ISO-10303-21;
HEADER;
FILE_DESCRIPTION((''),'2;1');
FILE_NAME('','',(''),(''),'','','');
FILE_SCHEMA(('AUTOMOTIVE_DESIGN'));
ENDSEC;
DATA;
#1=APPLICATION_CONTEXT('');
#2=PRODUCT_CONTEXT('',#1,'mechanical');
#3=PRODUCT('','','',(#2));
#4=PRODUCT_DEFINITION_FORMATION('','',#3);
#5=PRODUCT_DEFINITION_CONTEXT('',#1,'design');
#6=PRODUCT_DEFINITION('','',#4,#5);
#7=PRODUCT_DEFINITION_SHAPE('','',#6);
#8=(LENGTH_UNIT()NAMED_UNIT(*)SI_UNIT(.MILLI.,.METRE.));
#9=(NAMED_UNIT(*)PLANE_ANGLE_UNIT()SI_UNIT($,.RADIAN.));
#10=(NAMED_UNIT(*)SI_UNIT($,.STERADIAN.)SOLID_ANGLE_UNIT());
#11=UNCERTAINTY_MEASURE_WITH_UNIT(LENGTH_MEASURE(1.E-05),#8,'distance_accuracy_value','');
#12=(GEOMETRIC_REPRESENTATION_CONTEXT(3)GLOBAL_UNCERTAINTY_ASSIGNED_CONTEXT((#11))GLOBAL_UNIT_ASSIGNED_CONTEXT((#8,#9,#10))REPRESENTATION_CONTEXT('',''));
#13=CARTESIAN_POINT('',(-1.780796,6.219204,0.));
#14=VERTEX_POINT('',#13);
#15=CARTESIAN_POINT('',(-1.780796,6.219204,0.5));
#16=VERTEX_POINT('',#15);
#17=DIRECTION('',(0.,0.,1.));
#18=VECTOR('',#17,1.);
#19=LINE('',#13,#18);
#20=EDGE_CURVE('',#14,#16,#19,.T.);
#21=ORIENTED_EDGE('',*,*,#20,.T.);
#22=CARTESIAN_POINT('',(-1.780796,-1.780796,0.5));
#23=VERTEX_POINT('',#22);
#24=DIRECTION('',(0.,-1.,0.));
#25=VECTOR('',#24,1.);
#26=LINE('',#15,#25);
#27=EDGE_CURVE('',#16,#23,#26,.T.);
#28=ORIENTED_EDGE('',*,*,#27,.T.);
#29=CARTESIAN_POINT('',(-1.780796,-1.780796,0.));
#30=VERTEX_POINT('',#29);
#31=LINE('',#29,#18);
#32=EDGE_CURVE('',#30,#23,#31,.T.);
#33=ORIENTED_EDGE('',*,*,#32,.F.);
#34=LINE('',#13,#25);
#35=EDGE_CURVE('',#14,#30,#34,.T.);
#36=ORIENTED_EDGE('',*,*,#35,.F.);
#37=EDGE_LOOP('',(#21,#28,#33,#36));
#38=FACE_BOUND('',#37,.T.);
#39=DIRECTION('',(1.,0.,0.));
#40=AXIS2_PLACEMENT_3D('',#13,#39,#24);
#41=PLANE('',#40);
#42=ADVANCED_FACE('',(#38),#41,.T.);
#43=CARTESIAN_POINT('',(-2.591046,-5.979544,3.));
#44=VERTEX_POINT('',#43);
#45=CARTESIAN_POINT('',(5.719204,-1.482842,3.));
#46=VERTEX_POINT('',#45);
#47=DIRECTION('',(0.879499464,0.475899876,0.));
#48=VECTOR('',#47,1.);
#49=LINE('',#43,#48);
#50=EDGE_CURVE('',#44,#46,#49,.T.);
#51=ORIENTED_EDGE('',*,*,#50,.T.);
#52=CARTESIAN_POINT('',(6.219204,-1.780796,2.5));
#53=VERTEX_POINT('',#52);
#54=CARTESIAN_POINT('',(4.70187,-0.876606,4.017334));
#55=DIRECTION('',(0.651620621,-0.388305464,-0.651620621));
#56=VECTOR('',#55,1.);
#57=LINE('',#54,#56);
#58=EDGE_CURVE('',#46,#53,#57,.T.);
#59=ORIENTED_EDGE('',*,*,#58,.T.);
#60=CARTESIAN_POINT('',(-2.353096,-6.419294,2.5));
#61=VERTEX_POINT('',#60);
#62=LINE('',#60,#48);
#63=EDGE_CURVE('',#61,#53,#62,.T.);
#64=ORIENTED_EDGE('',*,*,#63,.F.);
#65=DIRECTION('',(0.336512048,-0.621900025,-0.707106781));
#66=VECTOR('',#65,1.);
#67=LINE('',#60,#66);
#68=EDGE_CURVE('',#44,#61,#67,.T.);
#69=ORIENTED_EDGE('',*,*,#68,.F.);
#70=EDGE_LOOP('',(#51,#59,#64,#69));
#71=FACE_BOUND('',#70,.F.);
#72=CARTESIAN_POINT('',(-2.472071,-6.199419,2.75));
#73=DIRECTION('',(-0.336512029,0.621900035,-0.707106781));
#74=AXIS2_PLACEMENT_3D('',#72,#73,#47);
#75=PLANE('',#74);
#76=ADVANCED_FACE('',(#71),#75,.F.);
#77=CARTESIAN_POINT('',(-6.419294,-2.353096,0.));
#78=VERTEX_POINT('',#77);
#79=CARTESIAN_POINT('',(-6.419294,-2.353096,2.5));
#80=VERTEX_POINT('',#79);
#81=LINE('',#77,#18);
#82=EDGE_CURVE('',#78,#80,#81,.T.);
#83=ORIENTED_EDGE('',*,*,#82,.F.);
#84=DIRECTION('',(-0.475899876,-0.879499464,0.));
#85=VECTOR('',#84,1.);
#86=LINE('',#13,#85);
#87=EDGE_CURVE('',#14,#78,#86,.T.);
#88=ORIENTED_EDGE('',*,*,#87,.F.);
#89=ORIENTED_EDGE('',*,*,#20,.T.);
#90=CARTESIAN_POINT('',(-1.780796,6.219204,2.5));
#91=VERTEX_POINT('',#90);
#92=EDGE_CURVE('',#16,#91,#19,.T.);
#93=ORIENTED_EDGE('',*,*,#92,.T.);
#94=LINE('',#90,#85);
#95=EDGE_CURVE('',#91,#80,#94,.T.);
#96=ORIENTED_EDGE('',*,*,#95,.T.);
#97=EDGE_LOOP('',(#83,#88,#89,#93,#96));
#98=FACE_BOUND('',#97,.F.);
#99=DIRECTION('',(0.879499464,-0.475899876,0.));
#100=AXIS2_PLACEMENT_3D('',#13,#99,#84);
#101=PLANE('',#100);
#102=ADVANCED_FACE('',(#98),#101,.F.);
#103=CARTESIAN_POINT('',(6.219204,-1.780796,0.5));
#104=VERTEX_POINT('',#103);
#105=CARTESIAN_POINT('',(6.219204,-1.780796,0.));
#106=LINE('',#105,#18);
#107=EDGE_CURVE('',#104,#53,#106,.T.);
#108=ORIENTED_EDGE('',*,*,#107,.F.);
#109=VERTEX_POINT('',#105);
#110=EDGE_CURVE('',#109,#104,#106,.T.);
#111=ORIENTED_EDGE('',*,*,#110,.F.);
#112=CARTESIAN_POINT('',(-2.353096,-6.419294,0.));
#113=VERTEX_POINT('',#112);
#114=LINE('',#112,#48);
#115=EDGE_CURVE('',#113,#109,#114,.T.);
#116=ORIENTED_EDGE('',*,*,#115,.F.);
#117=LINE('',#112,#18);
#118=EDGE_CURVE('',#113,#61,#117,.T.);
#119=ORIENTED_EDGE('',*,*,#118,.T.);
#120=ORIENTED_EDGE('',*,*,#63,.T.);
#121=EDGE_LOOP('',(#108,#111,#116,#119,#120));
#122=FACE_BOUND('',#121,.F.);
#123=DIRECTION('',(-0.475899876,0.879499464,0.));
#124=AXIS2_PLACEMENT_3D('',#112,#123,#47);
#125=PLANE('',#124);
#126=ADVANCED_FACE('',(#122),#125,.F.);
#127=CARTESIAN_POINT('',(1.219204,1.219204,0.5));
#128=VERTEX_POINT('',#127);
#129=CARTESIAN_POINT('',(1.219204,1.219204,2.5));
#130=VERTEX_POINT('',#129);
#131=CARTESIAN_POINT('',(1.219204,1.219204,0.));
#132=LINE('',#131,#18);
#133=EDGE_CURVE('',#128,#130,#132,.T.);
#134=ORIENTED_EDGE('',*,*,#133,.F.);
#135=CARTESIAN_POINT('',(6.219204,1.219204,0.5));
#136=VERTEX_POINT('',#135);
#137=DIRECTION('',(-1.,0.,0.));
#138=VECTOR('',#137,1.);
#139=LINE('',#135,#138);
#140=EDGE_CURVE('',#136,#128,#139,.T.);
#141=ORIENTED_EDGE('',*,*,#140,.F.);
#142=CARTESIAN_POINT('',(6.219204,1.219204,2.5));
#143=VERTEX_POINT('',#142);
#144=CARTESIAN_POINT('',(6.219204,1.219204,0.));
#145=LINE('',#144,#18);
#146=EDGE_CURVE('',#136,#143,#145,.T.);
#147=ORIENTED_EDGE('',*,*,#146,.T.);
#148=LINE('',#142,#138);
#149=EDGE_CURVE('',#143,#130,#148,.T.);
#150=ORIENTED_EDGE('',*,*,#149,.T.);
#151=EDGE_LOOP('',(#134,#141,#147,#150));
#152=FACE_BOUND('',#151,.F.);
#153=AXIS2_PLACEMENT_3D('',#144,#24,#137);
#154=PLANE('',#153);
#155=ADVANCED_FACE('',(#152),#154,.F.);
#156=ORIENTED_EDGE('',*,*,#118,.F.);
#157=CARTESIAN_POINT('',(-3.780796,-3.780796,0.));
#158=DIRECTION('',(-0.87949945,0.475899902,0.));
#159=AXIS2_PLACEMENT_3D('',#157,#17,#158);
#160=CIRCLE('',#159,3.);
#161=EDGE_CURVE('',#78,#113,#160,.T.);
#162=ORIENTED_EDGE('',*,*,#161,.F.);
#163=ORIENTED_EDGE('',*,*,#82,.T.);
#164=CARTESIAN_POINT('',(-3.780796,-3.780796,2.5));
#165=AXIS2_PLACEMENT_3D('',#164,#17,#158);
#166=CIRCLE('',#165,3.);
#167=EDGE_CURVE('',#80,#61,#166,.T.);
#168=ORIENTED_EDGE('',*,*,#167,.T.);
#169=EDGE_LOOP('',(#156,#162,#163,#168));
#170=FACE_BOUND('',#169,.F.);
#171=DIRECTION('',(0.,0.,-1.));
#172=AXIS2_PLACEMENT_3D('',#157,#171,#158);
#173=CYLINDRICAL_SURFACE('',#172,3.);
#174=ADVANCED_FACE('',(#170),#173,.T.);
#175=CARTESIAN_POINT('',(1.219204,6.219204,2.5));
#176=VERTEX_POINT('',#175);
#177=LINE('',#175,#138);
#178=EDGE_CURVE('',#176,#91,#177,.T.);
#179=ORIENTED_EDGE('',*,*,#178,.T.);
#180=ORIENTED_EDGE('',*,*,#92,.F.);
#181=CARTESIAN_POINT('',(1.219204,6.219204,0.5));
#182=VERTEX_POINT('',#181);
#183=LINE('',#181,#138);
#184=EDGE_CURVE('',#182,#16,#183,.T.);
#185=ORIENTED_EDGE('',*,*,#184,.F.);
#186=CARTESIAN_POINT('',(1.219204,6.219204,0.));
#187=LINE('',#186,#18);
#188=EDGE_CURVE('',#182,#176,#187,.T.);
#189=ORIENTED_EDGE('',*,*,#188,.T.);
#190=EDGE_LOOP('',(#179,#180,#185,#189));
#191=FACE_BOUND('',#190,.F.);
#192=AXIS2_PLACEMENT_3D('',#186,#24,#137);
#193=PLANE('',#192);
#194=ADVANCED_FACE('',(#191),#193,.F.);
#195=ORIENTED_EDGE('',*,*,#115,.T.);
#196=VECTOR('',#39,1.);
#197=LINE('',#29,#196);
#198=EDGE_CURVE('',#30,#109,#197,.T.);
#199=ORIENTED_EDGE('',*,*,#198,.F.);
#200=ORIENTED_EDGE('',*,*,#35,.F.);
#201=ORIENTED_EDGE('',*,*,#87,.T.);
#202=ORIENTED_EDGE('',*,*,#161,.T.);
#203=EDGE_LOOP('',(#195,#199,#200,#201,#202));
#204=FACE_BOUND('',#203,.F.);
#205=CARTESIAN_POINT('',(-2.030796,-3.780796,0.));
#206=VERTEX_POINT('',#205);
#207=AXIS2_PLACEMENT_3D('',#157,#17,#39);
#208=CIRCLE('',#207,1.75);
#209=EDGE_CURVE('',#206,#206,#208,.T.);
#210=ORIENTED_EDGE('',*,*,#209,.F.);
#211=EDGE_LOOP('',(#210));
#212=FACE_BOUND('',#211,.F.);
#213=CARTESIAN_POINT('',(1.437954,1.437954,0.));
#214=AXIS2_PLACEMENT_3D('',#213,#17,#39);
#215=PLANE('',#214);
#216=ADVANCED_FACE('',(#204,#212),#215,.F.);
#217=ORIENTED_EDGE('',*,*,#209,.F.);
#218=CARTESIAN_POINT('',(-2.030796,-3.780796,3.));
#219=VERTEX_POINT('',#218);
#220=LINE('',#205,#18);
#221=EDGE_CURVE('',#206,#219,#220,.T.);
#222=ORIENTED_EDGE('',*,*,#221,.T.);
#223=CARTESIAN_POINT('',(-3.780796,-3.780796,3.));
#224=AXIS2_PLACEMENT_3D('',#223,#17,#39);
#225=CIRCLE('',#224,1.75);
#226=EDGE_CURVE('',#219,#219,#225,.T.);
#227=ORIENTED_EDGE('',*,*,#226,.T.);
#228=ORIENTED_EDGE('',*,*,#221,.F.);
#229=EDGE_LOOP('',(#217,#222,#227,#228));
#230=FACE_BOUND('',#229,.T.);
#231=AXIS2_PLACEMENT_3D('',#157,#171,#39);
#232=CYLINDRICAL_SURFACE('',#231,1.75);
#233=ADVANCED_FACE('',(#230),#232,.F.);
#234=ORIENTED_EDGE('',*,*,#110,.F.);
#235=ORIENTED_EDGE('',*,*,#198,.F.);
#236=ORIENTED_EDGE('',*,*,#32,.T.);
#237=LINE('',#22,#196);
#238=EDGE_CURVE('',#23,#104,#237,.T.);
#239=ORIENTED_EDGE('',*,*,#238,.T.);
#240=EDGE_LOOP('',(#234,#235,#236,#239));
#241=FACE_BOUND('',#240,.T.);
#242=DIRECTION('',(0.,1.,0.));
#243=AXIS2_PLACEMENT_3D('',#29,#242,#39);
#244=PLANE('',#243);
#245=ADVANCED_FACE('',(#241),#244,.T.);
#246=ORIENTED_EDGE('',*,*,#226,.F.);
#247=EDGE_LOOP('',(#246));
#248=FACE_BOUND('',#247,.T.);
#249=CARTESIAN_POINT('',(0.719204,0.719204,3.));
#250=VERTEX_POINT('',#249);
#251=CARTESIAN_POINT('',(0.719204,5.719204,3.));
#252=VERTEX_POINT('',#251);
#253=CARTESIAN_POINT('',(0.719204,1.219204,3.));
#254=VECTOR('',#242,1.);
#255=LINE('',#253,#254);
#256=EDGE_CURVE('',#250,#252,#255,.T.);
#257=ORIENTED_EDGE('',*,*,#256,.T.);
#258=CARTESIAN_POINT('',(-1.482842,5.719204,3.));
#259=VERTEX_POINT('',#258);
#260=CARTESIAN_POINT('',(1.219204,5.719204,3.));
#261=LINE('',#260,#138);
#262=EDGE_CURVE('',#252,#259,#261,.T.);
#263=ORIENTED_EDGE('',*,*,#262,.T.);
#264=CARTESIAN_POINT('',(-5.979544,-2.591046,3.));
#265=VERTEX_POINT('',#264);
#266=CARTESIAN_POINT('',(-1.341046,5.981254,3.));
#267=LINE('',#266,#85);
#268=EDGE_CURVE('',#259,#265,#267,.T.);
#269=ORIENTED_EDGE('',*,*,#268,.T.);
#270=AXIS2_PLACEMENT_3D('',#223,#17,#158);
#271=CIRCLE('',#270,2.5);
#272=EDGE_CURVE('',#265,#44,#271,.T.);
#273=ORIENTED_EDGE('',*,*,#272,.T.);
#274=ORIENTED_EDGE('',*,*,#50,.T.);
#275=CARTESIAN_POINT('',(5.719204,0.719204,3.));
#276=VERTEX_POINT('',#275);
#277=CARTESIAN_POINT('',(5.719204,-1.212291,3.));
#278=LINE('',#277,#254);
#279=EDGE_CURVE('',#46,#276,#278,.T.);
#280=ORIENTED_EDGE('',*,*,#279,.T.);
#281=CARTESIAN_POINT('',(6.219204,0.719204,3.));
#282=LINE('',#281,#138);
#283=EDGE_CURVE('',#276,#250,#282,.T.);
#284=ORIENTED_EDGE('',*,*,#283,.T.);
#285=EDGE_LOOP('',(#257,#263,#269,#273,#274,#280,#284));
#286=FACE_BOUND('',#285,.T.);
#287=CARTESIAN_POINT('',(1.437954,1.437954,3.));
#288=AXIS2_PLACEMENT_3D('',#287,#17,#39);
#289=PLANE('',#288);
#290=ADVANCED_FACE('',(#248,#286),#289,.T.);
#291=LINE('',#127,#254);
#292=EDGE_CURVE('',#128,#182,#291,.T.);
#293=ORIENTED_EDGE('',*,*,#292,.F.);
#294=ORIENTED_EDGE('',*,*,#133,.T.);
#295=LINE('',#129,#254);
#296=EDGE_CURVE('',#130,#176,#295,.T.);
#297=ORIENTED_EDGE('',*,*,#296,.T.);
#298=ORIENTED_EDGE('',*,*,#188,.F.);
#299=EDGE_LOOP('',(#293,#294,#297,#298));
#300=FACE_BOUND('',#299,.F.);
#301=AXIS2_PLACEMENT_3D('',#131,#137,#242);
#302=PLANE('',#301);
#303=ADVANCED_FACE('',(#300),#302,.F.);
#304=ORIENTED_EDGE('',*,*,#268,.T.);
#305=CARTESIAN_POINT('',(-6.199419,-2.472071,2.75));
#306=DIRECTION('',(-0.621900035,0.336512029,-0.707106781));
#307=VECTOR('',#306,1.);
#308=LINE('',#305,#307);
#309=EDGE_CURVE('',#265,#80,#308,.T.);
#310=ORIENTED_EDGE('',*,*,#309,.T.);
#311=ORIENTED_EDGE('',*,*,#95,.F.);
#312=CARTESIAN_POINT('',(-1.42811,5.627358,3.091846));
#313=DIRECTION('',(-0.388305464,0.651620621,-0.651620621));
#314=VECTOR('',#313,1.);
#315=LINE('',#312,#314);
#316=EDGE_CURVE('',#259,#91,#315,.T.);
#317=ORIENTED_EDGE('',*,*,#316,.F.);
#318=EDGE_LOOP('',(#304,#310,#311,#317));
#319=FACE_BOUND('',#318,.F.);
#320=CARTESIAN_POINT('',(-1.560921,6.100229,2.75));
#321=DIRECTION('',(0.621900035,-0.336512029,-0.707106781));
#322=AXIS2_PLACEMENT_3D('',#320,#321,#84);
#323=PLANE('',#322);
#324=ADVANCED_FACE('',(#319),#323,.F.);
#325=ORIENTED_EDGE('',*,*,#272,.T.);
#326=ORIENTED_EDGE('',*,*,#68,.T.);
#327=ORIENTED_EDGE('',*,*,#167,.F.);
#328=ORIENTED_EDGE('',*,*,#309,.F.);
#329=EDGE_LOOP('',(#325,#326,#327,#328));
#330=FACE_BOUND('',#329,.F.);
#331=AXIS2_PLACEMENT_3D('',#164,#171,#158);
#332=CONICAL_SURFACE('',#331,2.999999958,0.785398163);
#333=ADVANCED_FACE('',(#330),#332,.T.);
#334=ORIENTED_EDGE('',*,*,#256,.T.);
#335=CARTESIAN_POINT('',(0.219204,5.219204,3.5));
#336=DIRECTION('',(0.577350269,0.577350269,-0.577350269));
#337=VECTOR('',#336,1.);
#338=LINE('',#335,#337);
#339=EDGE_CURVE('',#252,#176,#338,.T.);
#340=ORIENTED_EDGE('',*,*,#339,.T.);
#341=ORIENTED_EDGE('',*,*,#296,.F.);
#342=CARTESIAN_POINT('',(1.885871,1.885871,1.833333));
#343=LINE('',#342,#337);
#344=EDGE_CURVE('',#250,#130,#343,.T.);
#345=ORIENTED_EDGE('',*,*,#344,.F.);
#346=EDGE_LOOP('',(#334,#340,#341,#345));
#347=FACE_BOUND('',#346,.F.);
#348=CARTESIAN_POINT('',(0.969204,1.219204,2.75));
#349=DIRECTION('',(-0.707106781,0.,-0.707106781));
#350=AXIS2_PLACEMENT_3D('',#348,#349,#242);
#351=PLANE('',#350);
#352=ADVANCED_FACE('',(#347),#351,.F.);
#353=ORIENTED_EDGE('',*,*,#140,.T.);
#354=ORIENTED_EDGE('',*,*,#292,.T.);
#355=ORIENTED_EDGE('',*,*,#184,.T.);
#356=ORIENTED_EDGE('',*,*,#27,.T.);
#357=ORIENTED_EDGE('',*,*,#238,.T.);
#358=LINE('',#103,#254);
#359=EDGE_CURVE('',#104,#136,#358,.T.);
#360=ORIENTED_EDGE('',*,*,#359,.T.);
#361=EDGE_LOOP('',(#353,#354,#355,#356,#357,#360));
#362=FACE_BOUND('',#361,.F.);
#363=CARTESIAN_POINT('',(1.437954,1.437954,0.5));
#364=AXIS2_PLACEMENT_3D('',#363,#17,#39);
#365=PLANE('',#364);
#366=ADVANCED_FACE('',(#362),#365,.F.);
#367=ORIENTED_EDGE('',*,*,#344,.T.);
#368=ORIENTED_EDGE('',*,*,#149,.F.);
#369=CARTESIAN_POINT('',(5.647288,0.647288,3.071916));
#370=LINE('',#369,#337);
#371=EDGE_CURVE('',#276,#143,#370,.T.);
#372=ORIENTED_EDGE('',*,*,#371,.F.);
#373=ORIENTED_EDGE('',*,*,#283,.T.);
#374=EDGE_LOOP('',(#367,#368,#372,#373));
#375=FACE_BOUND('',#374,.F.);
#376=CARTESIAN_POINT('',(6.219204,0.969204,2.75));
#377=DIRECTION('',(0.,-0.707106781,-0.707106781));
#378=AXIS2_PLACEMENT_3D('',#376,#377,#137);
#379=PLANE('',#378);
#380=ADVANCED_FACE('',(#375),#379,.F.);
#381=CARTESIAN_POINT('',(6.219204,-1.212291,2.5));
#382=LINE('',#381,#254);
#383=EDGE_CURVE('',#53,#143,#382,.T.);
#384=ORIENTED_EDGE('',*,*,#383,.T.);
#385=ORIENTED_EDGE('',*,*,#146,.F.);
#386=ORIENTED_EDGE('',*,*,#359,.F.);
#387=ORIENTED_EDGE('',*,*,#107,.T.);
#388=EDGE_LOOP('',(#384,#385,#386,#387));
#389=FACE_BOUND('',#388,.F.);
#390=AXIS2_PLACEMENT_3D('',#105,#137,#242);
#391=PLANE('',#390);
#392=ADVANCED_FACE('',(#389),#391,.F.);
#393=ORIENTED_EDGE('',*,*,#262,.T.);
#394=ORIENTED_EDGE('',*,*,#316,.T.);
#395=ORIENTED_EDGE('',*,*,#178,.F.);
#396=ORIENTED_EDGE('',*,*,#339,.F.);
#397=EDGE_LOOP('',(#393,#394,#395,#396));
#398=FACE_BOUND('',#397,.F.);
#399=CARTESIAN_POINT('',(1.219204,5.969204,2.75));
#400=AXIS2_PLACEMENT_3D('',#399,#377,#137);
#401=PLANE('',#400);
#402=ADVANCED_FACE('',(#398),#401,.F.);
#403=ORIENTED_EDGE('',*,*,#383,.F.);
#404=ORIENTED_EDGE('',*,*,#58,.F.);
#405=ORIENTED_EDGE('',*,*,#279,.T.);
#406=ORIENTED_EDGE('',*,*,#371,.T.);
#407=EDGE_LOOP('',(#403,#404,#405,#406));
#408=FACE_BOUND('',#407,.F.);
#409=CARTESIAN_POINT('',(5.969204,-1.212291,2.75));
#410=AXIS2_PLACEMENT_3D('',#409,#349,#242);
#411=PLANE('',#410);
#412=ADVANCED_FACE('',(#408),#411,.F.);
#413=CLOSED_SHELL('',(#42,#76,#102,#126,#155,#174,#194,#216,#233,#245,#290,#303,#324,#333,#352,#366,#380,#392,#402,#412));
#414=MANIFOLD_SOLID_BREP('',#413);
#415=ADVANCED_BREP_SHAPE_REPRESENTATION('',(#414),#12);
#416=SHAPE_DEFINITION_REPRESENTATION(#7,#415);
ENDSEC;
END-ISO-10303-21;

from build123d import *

# Parameters (mm, degrees)
F0_R     = 1.75
F1_DEPTH = 3
F2_DEPTH = 0.5
F3_SIZE  = 0.5
F4_SIZE  = 0.5


with BuildPart() as f1:
    # F0 (on Top) → F1 (new body)
    with BuildSketch(Plane.XY):
        Polygon((6.219204, 1.219204), (1.219204, 1.219204), (1.219204, 6.219204), (-1.780796, 6.219204), (-1.780796, -1.780796), (6.219204, -1.780796), align=None)
        with BuildLine():
            Line((-1.780796, -1.780796), (-1.780796, 6.219204))
            Line((-1.780796, 6.219204), (-6.419294, -2.353096))
            ThreePointArc((-6.419294, -2.353096), (-5.902116, -5.902116), (-2.353096, -6.419294))
            Line((-2.353096, -6.419294), (6.219204, -1.780796))
            Line((6.219204, -1.780796), (-1.780796, -1.780796))
        make_face()
        with Locations((-3.780796, -3.780796)):
            Circle(F0_R, mode=Mode.SUBTRACT)
    extrude(amount=F1_DEPTH)

    # F0 (on Top) → F2 (cut)
    with BuildSketch(Plane.XY):
        Polygon((6.219204, 1.219204), (1.219204, 1.219204), (1.219204, 6.219204), (-1.780796, 6.219204), (-1.780796, -1.780796), (6.219204, -1.780796), align=None)
    extrude(amount=F2_DEPTH, mode=Mode.SUBTRACT)

    # F3
    f3_edges = [f1.edges().sort_by_distance(p)[0] for p in [
        (1.933054, -4.100045, 3),
        (-5.902116, -5.902116, 3),
        (-4.100045, 1.933054, 3),
    ]]
    chamfer(f3_edges, length=F3_SIZE)

    # F4
    f4_edges = [f1.edges().sort_by_distance(p)[0] for p in [
        (6.219204, 0.003457, 3),
        (3.719204, 1.219204, 3),
        (1.219204, 3.719204, 3),
        (0.003457, 6.219204, 3),
    ]]
    chamfer(f4_edges, length=F4_SIZE)


solid = f1.part
